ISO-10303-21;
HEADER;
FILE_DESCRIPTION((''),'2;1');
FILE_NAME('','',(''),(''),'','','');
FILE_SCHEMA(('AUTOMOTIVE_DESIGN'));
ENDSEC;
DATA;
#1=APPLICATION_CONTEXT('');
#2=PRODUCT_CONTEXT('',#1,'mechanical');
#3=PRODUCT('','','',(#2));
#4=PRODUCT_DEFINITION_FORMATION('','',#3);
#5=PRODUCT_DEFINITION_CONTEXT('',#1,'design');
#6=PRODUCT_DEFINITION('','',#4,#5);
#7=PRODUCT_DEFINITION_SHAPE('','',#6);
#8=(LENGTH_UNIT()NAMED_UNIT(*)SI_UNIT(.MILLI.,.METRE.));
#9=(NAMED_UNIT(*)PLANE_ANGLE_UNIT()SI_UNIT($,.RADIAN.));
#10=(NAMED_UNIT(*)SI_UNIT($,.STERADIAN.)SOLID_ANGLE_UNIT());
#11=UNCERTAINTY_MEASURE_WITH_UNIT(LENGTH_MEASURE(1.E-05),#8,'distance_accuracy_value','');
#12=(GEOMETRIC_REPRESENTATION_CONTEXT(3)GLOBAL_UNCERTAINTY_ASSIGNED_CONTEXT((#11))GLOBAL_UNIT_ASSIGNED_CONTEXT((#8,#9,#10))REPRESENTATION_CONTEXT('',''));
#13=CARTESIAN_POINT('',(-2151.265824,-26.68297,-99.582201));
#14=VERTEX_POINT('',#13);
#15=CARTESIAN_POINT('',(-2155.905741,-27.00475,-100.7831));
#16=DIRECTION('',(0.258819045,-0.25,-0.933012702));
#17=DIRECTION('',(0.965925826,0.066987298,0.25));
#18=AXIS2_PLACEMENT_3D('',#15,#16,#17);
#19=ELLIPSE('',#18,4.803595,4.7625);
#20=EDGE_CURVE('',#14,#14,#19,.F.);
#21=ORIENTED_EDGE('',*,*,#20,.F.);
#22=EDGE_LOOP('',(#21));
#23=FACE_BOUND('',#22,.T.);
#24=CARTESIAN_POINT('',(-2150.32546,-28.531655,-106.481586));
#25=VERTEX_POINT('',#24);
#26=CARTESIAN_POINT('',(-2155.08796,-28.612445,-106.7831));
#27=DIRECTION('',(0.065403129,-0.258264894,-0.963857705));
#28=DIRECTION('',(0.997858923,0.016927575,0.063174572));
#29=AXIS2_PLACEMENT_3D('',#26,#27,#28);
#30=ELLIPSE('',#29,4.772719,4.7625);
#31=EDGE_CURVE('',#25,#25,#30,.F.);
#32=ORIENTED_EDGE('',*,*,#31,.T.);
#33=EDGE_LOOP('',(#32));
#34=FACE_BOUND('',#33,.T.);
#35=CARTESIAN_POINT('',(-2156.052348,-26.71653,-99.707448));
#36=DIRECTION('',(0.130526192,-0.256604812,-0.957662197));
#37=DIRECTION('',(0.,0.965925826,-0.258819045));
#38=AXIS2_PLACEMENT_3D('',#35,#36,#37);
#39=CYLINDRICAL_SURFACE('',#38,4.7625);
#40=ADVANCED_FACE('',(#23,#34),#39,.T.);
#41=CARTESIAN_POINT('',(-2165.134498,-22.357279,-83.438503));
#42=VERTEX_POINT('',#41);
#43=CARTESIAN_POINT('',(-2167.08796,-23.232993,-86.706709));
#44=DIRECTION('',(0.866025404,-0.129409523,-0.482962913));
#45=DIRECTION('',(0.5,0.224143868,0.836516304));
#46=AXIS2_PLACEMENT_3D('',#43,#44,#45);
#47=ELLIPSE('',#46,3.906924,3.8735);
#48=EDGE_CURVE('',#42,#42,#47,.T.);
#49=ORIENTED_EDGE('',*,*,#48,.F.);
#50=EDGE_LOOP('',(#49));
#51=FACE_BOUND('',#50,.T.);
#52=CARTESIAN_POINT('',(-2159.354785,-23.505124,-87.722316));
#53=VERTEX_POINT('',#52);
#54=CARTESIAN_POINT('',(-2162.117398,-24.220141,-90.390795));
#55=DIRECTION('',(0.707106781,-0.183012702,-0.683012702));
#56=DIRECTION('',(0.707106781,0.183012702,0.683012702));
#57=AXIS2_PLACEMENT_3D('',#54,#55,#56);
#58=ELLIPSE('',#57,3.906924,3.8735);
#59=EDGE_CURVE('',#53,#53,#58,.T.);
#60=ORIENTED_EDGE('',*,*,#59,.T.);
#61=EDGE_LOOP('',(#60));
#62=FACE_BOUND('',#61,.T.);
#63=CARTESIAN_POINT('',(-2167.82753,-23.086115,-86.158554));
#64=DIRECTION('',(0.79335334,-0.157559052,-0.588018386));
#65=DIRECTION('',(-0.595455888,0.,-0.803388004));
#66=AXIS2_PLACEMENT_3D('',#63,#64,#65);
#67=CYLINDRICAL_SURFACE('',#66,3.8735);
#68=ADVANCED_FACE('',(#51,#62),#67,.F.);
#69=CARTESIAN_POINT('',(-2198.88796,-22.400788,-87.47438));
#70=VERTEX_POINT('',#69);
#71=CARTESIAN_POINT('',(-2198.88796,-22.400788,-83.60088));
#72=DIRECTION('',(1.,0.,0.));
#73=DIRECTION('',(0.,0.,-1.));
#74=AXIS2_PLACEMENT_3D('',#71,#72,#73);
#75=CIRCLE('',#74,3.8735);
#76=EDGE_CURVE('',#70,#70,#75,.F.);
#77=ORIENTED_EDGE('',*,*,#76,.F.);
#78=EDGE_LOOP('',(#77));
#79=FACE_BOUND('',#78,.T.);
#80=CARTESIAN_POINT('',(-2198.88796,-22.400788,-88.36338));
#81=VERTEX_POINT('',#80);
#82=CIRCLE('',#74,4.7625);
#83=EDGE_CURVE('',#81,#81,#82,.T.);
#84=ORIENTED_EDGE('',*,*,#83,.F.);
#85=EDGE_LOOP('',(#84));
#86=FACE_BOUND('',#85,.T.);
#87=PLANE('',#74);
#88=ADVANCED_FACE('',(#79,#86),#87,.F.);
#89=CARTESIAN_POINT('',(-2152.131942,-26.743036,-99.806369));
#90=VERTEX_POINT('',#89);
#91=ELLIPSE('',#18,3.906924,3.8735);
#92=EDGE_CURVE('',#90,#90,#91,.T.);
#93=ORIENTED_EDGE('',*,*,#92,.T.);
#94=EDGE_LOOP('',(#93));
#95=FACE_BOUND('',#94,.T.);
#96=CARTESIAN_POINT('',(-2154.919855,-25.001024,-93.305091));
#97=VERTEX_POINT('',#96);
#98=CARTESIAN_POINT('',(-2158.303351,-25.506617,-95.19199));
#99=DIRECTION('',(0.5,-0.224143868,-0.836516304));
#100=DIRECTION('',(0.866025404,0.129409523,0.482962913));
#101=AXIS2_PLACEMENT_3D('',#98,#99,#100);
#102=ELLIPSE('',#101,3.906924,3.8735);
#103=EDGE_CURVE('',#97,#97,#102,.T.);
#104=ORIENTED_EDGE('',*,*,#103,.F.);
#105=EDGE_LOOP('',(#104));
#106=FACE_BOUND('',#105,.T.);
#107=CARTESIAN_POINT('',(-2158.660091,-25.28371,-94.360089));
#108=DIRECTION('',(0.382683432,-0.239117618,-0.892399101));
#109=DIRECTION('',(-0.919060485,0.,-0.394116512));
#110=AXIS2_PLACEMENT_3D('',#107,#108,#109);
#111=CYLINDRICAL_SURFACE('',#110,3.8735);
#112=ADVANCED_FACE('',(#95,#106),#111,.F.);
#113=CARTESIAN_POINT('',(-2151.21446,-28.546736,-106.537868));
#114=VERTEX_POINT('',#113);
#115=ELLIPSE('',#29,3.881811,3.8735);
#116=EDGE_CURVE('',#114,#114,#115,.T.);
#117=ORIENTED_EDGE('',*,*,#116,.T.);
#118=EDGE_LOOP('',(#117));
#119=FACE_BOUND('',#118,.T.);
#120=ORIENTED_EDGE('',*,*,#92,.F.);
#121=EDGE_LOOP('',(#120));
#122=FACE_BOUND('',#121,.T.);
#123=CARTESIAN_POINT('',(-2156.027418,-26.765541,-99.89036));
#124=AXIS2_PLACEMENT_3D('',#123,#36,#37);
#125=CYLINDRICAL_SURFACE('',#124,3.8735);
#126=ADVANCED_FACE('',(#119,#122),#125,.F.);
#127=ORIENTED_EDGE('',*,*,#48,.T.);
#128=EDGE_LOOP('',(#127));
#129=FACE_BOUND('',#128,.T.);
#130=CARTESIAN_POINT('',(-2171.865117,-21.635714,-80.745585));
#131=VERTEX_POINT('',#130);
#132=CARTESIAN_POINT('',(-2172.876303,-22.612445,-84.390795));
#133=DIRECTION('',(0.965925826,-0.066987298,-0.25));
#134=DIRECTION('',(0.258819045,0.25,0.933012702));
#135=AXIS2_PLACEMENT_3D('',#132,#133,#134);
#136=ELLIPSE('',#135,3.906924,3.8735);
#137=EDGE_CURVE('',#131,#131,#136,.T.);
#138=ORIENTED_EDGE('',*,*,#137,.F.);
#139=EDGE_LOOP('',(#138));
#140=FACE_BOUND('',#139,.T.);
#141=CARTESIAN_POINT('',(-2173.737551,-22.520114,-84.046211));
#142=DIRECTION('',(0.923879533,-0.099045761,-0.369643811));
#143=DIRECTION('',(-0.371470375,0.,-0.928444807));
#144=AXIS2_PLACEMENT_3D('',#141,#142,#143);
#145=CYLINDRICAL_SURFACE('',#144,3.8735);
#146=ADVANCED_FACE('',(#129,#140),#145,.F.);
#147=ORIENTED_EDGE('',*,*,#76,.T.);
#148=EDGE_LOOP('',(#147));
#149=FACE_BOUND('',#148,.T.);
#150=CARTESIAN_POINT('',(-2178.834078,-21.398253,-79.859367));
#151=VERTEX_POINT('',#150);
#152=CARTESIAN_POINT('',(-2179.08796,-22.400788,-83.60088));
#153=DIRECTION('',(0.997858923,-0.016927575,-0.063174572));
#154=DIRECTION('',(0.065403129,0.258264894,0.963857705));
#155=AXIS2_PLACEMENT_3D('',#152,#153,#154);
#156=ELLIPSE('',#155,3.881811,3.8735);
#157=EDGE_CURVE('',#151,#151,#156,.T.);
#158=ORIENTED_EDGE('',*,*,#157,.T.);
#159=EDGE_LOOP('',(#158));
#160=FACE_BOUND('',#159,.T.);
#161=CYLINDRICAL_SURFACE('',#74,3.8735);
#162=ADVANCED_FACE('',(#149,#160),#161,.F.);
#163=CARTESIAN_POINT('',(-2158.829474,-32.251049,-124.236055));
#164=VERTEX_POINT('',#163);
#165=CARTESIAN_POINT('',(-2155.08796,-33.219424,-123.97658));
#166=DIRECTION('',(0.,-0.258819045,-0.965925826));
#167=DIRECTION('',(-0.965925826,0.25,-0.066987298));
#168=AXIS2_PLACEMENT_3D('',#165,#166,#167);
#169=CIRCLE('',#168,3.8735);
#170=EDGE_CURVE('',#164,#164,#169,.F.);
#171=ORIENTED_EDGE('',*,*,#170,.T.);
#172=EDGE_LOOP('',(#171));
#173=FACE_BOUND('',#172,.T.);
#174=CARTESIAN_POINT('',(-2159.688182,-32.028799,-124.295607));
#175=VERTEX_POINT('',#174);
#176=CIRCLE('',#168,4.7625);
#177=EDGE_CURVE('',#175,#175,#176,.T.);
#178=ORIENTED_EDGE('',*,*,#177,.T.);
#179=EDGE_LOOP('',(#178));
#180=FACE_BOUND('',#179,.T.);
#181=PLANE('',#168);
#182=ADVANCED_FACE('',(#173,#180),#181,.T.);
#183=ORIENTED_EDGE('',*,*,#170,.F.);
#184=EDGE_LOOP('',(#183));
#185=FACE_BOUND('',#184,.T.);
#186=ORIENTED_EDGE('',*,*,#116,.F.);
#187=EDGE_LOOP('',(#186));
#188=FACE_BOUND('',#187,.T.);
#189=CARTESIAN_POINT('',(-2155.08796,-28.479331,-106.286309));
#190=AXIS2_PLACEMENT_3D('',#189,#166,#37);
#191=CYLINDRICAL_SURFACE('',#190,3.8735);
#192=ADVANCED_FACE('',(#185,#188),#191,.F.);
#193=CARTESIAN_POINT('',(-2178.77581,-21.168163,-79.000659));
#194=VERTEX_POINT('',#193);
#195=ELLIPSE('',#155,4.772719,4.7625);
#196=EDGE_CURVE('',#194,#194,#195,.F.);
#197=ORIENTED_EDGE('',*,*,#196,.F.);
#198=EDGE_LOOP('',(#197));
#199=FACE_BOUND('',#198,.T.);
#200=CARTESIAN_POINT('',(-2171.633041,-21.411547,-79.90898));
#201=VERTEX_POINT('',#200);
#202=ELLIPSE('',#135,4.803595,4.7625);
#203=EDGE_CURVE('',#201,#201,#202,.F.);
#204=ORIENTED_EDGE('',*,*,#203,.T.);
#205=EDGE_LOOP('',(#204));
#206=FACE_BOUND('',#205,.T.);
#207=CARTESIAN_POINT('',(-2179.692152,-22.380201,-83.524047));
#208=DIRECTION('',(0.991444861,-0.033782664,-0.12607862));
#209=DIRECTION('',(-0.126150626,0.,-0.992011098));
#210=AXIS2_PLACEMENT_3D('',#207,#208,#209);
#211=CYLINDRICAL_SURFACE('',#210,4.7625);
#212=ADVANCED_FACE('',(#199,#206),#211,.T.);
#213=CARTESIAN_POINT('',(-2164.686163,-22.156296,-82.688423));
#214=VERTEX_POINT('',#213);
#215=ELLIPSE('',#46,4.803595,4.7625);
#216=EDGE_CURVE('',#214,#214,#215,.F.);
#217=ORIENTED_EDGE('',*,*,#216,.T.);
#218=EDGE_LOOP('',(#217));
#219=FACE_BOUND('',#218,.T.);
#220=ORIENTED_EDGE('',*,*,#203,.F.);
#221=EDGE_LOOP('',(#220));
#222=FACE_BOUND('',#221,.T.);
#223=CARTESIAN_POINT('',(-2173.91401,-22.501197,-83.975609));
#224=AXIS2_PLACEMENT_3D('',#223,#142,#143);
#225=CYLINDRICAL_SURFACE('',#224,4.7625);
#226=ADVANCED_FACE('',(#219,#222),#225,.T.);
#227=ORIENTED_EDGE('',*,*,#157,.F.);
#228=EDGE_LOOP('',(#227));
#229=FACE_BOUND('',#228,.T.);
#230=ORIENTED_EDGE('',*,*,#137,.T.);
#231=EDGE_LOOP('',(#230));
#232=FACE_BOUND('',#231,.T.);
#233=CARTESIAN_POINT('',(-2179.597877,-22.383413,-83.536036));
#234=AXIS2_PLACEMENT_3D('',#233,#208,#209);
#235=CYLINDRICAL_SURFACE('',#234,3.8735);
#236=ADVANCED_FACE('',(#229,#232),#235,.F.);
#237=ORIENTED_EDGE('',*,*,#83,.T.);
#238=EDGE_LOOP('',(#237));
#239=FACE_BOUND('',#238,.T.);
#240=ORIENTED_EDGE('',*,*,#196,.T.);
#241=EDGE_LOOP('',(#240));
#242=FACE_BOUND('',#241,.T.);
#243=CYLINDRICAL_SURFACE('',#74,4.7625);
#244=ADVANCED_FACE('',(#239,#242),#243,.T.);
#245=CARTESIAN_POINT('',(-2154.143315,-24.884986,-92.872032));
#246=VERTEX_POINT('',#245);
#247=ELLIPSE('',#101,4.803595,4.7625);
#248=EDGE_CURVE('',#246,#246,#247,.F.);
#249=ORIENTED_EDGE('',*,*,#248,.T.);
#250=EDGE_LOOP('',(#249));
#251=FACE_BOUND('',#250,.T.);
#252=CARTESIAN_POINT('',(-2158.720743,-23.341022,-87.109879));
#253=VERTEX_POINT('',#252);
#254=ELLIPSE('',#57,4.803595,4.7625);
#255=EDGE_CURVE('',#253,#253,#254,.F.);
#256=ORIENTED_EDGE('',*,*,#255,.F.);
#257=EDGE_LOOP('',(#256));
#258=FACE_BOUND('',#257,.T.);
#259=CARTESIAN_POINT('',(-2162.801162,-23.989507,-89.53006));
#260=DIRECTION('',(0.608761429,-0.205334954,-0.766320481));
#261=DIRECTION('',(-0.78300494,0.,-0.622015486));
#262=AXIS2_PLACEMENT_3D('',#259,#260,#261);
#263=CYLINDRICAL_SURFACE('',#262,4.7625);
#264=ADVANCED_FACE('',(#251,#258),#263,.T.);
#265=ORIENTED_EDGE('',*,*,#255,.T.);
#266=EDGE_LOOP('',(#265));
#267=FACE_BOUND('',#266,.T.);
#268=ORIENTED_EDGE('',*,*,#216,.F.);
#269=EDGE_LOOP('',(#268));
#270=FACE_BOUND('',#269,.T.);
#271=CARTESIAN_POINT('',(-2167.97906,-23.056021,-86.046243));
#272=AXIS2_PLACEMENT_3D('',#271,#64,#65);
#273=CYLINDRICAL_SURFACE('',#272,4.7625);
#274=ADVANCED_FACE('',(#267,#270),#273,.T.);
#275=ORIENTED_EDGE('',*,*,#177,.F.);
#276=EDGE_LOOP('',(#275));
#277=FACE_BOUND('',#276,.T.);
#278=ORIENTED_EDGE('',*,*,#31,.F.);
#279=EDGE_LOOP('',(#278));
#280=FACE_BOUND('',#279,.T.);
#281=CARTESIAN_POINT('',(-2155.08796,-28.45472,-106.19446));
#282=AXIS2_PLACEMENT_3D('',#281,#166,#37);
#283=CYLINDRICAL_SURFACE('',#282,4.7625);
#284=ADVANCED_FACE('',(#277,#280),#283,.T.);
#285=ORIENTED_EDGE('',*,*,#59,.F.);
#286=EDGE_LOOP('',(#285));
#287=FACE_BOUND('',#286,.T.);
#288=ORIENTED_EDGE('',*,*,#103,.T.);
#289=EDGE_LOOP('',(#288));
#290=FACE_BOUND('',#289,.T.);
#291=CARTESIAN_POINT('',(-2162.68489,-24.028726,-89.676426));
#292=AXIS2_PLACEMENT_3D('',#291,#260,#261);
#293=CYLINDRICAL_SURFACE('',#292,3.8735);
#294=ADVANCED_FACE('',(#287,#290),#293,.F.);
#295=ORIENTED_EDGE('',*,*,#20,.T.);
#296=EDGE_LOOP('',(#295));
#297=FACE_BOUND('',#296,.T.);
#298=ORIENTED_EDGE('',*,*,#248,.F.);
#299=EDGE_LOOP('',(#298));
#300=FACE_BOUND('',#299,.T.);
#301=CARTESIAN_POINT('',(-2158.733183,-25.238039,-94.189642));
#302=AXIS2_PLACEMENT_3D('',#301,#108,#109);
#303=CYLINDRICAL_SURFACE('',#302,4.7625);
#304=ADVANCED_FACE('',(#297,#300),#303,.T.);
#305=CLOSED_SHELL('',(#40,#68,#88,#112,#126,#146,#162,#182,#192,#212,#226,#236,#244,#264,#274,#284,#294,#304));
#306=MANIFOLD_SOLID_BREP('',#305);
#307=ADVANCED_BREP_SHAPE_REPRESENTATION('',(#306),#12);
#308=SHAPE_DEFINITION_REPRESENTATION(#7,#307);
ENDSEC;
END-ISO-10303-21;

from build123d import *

# Parameters (mm, degrees)
PROFILE_R   = 4.7625
PROFILE_R_2 = 3.8735


with BuildPart() as part:
    # Tube: sweep along a curve in space
    with BuildLine() as tube_path:
        Line((-2198.887960479, -22.400788354, -83.600880265), (-2179.087960479, -22.400788354, -83.600880265))
        Line((-2179.087960479, -22.400788354, -83.600880265), (-2172.876303396, -22.612445436, -84.390795251))
        Line((-2172.876303396, -22.612445436, -84.390795251), (-2167.087960479, -23.232992603, -86.706708807))
        Line((-2167.087960479, -23.232992603, -86.706708807), (-2162.11739773, -24.220140591, -90.390795251))
        Line((-2162.11739773, -24.220140591, -90.390795251), (-2158.303350788, -25.506616895, -95.191990181))
        Line((-2158.303350788, -25.506616895, -95.191990181), (-2155.905740648, -27.004750281, -100.783100096))
        Line((-2155.905740648, -27.004750281, -100.783100096), (-2155.087960479, -28.612445436, -106.783100096))
        Line((-2155.087960479, -28.612445436, -106.783100096), (-2155.087960479, -33.219424439, -123.976579804))
    # Profile → Tube (sweep)
    with BuildSketch(Plane(origin=(-2198.887960479, 0, 0), x_dir=(0, 0, -1), z_dir=(1, 0, 0))):
        with Locations((83.600880265, -22.400788354)):
            Circle(PROFILE_R)
        with Locations((83.600880265, -22.400788354)):
            Circle(PROFILE_R_2, mode=Mode.SUBTRACT)
    sweep(path=tube_path.line, transition=Transition.RIGHT)


solid = part.part
